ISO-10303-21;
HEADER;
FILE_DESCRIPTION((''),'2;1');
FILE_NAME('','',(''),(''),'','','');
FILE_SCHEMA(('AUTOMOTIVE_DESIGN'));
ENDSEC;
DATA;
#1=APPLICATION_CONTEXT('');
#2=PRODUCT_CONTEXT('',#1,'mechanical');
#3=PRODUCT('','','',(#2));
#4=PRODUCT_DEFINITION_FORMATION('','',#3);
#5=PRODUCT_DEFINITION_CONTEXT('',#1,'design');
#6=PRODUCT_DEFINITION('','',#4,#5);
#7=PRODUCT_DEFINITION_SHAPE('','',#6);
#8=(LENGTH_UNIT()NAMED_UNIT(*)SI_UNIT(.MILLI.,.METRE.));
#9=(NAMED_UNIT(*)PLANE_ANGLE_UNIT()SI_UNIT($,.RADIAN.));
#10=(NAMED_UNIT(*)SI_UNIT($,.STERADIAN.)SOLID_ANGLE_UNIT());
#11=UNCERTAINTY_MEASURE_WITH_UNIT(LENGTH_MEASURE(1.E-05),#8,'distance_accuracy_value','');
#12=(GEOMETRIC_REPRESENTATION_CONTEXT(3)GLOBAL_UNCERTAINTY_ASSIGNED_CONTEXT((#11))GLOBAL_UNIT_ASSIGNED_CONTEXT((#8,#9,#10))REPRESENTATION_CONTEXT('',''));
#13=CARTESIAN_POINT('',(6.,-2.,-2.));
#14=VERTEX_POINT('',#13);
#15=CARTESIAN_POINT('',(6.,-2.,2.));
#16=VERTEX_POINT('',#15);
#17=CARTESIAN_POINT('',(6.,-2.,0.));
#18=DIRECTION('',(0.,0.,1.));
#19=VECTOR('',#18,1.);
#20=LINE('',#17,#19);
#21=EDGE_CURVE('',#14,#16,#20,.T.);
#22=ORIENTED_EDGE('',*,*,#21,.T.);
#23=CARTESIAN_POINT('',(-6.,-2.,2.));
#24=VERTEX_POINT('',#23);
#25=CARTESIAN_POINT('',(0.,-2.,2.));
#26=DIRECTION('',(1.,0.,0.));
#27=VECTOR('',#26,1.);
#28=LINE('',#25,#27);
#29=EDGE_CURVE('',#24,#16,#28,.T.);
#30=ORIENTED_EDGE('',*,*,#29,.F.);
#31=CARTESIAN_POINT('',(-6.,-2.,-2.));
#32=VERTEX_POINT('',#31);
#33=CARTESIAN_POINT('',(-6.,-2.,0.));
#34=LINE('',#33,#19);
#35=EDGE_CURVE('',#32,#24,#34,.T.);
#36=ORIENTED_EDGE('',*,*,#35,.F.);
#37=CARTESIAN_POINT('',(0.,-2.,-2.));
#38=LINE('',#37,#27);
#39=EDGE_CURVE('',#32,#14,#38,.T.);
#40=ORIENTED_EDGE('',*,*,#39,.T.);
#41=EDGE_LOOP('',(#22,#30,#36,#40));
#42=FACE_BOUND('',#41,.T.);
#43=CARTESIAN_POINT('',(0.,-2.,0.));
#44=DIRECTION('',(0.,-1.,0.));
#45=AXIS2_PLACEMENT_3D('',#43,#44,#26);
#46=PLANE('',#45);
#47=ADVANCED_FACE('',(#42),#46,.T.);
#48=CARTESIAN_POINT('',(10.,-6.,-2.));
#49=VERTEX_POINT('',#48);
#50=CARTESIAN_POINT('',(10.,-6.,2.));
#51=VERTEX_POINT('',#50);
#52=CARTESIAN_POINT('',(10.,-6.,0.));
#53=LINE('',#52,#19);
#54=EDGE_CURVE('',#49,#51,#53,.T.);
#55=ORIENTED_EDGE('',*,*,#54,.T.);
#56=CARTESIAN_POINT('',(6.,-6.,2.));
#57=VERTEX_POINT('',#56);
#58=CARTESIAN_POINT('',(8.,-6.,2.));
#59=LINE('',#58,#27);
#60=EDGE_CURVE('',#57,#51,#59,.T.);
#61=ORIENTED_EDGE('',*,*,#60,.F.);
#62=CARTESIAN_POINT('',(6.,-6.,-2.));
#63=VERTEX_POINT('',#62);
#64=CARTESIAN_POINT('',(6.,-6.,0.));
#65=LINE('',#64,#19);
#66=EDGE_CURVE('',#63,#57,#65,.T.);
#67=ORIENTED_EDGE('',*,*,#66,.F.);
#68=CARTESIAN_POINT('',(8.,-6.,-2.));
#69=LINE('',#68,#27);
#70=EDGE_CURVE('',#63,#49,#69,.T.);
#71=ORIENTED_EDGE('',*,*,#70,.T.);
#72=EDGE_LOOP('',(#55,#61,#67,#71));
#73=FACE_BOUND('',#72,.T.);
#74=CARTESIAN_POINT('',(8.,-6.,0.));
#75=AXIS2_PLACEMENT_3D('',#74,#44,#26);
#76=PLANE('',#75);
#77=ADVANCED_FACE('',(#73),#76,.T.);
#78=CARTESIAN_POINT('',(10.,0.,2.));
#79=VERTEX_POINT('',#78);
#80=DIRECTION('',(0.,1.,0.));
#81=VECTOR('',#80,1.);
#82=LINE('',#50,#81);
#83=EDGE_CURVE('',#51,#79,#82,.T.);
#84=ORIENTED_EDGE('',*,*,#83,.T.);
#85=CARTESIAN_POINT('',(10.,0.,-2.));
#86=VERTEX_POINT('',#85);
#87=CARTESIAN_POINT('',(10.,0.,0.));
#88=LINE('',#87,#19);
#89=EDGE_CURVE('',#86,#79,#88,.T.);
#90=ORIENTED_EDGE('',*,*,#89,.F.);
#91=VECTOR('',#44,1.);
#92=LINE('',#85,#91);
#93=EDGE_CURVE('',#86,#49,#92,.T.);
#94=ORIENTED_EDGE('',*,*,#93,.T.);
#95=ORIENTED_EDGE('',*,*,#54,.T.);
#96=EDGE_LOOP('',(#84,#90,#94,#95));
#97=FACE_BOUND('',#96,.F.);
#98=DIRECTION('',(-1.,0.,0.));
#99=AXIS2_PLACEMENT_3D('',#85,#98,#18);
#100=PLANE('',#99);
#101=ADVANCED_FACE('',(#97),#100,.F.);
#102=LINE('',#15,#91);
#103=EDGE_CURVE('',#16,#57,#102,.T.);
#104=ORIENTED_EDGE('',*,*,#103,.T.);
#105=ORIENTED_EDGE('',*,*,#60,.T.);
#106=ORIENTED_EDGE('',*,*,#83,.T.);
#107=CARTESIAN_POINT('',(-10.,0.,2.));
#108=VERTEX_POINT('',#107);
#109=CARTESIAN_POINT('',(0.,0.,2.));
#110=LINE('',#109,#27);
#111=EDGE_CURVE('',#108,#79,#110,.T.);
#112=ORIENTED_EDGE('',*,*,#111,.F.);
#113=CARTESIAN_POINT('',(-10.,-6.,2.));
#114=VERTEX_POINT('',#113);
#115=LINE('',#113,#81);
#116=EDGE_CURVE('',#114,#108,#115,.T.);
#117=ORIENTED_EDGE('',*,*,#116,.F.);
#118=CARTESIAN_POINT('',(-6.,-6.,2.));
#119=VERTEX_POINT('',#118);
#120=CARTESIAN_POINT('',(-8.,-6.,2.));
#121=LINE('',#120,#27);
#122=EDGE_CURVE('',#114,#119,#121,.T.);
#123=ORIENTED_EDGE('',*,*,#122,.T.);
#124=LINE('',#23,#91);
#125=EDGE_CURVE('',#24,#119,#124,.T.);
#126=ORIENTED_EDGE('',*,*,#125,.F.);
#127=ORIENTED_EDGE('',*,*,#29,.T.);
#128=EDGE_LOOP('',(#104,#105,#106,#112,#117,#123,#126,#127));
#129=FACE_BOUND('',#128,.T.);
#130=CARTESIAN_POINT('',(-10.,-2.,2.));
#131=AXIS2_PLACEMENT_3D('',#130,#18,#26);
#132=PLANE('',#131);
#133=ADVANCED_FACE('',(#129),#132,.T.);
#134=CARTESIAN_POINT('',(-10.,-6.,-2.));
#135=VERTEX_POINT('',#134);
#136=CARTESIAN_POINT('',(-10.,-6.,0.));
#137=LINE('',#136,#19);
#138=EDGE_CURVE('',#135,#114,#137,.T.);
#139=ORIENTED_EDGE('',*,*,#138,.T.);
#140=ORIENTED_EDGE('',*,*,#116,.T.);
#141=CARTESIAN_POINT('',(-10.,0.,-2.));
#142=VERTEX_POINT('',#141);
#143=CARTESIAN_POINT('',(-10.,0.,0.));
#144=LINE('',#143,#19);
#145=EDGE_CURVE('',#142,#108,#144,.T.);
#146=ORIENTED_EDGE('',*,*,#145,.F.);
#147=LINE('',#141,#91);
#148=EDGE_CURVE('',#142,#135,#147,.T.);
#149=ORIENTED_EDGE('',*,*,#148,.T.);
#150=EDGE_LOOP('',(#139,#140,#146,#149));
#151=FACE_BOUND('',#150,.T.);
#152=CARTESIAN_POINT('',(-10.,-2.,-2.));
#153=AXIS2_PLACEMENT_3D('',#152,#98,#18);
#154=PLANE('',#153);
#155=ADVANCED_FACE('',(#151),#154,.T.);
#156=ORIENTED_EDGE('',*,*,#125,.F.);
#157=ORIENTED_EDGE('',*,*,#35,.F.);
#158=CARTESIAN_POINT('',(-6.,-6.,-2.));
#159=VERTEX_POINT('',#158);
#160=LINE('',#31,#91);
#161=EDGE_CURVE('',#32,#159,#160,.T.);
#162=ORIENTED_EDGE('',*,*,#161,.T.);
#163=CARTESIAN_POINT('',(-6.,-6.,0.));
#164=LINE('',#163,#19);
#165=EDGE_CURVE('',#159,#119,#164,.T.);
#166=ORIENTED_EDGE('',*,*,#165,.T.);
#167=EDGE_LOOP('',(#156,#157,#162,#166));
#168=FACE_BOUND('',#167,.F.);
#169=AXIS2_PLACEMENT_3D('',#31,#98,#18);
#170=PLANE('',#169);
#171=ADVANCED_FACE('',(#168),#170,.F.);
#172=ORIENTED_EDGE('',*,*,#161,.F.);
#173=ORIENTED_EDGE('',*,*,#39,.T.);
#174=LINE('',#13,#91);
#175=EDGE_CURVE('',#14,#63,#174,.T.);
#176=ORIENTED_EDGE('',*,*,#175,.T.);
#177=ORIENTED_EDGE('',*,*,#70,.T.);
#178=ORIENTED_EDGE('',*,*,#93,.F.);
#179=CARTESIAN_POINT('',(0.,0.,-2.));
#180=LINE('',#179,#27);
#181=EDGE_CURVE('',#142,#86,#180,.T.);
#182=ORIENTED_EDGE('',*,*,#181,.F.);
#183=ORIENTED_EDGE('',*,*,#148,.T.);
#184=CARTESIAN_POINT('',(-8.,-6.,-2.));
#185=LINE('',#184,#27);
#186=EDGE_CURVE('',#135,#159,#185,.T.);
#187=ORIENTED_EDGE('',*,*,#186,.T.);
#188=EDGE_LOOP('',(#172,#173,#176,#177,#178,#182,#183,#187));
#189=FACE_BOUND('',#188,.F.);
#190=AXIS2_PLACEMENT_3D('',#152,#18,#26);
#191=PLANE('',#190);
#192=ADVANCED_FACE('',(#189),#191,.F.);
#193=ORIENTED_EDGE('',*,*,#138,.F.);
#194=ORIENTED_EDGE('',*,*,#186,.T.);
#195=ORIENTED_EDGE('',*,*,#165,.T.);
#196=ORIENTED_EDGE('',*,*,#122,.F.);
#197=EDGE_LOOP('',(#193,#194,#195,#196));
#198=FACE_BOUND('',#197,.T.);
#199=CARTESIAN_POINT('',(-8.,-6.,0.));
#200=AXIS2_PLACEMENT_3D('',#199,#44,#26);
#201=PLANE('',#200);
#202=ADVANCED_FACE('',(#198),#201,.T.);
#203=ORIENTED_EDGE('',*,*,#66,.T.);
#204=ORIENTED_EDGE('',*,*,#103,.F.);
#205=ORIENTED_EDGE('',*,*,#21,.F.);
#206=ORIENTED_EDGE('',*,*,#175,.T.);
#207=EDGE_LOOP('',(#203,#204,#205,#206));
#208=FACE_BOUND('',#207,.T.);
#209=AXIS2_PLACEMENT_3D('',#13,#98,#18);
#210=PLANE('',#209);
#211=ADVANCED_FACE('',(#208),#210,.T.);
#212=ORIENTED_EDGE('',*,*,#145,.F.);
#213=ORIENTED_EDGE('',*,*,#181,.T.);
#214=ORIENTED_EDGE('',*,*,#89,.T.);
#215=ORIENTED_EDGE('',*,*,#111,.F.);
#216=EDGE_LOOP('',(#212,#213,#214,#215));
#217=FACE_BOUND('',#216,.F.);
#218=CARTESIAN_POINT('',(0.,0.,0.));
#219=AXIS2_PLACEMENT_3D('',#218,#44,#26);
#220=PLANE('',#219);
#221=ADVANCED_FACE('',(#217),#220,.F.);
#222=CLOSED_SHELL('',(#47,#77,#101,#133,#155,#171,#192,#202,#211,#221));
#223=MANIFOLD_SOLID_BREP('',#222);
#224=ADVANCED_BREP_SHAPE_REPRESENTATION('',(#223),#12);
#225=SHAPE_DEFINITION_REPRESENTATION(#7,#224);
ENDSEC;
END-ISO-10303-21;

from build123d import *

# Parameters (mm, degrees)
F0_W     = 20
F0_H     = 4
F1_DEPTH = 2
F2_W     = 4
F2_H     = 4
F3_DEPTH = 4


with BuildPart() as f1:
    # F0 (on Front) → F1 (new body)
    with BuildSketch(Plane.XZ):
        Rectangle(F0_W, F0_H)
    extrude(amount=F1_DEPTH)

    # F2 (on face) → F3 (join)
    with BuildSketch(Plane.XZ.offset(2)):
        with Locations((-8, 0)):
            Rectangle(F2_W, F2_H)
        with Locations((8, 0)):
            Rectangle(F2_W, F2_H)
    extrude(amount=F3_DEPTH)


solid = f1.part
